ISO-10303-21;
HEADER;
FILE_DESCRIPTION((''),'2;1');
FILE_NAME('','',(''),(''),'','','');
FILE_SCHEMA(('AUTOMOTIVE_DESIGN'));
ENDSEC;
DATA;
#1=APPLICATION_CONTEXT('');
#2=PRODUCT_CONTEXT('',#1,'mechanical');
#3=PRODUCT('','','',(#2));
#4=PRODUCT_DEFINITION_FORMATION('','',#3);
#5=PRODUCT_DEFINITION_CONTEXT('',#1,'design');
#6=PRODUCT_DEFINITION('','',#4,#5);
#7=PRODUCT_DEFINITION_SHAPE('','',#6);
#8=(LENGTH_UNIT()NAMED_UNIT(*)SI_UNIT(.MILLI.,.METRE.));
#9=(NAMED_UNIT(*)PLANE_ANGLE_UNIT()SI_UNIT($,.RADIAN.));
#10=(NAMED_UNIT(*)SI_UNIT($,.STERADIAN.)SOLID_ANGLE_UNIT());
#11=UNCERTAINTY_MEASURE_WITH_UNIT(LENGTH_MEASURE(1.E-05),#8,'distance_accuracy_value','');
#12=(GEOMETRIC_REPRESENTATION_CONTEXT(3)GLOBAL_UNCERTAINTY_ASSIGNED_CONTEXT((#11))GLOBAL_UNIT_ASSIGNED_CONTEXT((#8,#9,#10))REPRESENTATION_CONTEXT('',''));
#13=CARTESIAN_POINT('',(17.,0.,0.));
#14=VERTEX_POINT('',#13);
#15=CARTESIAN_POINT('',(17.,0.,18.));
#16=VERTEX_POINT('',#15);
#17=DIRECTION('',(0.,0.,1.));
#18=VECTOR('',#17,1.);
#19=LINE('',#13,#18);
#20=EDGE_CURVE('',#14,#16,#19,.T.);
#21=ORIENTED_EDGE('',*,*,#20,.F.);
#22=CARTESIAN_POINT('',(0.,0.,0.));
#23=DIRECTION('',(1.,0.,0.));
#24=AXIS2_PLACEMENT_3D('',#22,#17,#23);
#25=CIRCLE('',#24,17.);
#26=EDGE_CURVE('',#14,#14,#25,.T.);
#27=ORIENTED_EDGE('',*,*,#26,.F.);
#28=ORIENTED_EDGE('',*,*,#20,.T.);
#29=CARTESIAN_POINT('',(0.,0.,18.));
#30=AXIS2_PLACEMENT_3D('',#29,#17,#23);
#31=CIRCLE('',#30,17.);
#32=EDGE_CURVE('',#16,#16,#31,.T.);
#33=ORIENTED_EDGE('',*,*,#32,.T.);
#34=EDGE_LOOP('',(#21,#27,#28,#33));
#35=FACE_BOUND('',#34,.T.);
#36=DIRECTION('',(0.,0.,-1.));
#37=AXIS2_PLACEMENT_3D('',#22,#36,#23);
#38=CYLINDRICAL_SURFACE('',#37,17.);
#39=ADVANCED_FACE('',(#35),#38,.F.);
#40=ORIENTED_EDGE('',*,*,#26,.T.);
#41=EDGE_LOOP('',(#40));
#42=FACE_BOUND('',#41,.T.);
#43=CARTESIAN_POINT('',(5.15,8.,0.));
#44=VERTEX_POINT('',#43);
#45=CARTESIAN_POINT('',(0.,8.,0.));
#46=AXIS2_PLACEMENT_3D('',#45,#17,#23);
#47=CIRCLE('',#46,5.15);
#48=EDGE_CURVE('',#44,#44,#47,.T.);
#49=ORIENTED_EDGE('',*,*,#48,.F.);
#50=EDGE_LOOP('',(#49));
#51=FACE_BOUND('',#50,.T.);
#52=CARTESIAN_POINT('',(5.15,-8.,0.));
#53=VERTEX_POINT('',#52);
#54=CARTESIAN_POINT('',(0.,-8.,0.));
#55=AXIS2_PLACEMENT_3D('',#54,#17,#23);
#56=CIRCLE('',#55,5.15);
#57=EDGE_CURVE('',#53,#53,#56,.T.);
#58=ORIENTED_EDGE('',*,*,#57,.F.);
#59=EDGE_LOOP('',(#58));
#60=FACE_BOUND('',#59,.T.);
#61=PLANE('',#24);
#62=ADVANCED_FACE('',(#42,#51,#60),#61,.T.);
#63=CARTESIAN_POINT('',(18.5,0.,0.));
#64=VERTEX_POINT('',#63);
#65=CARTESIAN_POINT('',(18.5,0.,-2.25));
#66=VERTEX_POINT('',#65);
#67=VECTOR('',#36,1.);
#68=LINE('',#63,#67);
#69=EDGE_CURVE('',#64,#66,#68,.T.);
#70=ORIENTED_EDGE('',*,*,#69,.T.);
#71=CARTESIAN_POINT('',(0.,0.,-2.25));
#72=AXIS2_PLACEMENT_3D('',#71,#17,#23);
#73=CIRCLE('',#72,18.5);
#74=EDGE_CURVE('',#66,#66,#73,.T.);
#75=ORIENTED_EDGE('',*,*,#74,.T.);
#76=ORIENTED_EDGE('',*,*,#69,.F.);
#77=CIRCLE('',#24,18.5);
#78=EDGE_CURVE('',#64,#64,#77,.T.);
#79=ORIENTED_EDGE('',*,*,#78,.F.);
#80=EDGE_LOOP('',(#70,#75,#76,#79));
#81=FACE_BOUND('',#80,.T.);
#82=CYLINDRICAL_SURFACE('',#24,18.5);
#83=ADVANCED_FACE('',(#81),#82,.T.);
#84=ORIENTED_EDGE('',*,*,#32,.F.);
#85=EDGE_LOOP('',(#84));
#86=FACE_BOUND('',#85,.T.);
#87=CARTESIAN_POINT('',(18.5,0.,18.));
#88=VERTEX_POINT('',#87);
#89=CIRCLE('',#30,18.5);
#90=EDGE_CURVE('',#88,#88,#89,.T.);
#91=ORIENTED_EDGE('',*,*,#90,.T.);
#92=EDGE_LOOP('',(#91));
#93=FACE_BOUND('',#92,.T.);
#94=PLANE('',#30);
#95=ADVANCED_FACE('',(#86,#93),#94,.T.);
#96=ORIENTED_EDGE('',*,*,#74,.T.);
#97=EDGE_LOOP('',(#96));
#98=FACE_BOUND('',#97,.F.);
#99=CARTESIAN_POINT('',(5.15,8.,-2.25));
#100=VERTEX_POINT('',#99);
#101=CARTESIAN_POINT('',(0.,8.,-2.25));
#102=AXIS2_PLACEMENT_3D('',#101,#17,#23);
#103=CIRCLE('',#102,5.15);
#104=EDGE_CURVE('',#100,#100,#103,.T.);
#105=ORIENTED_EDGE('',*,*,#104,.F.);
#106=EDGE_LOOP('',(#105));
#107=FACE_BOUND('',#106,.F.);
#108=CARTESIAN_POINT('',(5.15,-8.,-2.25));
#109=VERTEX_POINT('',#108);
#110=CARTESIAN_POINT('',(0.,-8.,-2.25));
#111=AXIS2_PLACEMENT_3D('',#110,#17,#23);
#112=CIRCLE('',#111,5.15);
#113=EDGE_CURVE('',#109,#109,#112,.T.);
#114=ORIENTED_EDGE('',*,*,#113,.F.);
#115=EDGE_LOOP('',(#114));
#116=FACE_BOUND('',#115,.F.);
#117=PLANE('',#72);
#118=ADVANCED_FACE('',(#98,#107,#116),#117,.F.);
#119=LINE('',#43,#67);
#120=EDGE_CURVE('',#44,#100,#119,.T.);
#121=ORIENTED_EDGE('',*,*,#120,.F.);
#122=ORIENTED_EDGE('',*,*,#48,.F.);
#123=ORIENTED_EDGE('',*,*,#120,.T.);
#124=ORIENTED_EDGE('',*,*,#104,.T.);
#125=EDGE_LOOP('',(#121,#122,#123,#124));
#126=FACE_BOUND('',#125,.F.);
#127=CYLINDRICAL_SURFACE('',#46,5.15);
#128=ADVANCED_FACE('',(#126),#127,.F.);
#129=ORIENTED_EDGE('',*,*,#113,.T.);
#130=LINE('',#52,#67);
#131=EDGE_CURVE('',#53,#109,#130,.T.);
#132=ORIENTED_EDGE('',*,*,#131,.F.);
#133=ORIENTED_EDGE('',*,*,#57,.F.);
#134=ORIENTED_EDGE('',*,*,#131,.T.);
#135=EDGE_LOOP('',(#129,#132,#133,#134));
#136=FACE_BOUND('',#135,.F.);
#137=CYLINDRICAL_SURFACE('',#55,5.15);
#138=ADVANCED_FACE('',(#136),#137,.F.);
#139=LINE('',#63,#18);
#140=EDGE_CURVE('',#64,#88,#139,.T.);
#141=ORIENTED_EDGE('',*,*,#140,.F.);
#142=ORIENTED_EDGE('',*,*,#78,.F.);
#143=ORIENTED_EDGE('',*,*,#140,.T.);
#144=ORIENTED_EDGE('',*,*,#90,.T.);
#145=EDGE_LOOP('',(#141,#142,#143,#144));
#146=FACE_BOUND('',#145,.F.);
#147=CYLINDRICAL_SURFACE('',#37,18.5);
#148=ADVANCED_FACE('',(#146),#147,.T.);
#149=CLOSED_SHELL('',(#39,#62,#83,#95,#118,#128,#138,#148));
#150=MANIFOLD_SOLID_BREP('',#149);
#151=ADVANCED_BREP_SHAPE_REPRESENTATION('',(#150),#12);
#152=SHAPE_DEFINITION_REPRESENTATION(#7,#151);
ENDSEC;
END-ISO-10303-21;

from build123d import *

# Parameters (mm, degrees)
F1_R     = 18.5
F1_R_2   = 17
F1_R_3   = 5.15
F2_DEPTH = 2.25
F3_DEPTH = 18


with BuildPart() as f2:
    # F1 (on Top) → F2 (new body)
    with BuildSketch(Plane.XY):
        Circle(F1_R)
        Circle(F1_R_2, mode=Mode.SUBTRACT)
        Circle(F1_R_2)
        with Locations((0, -8)):
            Circle(F1_R_3, mode=Mode.SUBTRACT)
        with Locations((0, 8)):
            Circle(F1_R_3, mode=Mode.SUBTRACT)
    extrude(amount=-F2_DEPTH)

    # F1 (on Top) → F3 (join)
    with BuildSketch(Plane.XY):
        Circle(F1_R)
        Circle(F1_R_2, mode=Mode.SUBTRACT)
    extrude(amount=F3_DEPTH)


solid = f2.part
